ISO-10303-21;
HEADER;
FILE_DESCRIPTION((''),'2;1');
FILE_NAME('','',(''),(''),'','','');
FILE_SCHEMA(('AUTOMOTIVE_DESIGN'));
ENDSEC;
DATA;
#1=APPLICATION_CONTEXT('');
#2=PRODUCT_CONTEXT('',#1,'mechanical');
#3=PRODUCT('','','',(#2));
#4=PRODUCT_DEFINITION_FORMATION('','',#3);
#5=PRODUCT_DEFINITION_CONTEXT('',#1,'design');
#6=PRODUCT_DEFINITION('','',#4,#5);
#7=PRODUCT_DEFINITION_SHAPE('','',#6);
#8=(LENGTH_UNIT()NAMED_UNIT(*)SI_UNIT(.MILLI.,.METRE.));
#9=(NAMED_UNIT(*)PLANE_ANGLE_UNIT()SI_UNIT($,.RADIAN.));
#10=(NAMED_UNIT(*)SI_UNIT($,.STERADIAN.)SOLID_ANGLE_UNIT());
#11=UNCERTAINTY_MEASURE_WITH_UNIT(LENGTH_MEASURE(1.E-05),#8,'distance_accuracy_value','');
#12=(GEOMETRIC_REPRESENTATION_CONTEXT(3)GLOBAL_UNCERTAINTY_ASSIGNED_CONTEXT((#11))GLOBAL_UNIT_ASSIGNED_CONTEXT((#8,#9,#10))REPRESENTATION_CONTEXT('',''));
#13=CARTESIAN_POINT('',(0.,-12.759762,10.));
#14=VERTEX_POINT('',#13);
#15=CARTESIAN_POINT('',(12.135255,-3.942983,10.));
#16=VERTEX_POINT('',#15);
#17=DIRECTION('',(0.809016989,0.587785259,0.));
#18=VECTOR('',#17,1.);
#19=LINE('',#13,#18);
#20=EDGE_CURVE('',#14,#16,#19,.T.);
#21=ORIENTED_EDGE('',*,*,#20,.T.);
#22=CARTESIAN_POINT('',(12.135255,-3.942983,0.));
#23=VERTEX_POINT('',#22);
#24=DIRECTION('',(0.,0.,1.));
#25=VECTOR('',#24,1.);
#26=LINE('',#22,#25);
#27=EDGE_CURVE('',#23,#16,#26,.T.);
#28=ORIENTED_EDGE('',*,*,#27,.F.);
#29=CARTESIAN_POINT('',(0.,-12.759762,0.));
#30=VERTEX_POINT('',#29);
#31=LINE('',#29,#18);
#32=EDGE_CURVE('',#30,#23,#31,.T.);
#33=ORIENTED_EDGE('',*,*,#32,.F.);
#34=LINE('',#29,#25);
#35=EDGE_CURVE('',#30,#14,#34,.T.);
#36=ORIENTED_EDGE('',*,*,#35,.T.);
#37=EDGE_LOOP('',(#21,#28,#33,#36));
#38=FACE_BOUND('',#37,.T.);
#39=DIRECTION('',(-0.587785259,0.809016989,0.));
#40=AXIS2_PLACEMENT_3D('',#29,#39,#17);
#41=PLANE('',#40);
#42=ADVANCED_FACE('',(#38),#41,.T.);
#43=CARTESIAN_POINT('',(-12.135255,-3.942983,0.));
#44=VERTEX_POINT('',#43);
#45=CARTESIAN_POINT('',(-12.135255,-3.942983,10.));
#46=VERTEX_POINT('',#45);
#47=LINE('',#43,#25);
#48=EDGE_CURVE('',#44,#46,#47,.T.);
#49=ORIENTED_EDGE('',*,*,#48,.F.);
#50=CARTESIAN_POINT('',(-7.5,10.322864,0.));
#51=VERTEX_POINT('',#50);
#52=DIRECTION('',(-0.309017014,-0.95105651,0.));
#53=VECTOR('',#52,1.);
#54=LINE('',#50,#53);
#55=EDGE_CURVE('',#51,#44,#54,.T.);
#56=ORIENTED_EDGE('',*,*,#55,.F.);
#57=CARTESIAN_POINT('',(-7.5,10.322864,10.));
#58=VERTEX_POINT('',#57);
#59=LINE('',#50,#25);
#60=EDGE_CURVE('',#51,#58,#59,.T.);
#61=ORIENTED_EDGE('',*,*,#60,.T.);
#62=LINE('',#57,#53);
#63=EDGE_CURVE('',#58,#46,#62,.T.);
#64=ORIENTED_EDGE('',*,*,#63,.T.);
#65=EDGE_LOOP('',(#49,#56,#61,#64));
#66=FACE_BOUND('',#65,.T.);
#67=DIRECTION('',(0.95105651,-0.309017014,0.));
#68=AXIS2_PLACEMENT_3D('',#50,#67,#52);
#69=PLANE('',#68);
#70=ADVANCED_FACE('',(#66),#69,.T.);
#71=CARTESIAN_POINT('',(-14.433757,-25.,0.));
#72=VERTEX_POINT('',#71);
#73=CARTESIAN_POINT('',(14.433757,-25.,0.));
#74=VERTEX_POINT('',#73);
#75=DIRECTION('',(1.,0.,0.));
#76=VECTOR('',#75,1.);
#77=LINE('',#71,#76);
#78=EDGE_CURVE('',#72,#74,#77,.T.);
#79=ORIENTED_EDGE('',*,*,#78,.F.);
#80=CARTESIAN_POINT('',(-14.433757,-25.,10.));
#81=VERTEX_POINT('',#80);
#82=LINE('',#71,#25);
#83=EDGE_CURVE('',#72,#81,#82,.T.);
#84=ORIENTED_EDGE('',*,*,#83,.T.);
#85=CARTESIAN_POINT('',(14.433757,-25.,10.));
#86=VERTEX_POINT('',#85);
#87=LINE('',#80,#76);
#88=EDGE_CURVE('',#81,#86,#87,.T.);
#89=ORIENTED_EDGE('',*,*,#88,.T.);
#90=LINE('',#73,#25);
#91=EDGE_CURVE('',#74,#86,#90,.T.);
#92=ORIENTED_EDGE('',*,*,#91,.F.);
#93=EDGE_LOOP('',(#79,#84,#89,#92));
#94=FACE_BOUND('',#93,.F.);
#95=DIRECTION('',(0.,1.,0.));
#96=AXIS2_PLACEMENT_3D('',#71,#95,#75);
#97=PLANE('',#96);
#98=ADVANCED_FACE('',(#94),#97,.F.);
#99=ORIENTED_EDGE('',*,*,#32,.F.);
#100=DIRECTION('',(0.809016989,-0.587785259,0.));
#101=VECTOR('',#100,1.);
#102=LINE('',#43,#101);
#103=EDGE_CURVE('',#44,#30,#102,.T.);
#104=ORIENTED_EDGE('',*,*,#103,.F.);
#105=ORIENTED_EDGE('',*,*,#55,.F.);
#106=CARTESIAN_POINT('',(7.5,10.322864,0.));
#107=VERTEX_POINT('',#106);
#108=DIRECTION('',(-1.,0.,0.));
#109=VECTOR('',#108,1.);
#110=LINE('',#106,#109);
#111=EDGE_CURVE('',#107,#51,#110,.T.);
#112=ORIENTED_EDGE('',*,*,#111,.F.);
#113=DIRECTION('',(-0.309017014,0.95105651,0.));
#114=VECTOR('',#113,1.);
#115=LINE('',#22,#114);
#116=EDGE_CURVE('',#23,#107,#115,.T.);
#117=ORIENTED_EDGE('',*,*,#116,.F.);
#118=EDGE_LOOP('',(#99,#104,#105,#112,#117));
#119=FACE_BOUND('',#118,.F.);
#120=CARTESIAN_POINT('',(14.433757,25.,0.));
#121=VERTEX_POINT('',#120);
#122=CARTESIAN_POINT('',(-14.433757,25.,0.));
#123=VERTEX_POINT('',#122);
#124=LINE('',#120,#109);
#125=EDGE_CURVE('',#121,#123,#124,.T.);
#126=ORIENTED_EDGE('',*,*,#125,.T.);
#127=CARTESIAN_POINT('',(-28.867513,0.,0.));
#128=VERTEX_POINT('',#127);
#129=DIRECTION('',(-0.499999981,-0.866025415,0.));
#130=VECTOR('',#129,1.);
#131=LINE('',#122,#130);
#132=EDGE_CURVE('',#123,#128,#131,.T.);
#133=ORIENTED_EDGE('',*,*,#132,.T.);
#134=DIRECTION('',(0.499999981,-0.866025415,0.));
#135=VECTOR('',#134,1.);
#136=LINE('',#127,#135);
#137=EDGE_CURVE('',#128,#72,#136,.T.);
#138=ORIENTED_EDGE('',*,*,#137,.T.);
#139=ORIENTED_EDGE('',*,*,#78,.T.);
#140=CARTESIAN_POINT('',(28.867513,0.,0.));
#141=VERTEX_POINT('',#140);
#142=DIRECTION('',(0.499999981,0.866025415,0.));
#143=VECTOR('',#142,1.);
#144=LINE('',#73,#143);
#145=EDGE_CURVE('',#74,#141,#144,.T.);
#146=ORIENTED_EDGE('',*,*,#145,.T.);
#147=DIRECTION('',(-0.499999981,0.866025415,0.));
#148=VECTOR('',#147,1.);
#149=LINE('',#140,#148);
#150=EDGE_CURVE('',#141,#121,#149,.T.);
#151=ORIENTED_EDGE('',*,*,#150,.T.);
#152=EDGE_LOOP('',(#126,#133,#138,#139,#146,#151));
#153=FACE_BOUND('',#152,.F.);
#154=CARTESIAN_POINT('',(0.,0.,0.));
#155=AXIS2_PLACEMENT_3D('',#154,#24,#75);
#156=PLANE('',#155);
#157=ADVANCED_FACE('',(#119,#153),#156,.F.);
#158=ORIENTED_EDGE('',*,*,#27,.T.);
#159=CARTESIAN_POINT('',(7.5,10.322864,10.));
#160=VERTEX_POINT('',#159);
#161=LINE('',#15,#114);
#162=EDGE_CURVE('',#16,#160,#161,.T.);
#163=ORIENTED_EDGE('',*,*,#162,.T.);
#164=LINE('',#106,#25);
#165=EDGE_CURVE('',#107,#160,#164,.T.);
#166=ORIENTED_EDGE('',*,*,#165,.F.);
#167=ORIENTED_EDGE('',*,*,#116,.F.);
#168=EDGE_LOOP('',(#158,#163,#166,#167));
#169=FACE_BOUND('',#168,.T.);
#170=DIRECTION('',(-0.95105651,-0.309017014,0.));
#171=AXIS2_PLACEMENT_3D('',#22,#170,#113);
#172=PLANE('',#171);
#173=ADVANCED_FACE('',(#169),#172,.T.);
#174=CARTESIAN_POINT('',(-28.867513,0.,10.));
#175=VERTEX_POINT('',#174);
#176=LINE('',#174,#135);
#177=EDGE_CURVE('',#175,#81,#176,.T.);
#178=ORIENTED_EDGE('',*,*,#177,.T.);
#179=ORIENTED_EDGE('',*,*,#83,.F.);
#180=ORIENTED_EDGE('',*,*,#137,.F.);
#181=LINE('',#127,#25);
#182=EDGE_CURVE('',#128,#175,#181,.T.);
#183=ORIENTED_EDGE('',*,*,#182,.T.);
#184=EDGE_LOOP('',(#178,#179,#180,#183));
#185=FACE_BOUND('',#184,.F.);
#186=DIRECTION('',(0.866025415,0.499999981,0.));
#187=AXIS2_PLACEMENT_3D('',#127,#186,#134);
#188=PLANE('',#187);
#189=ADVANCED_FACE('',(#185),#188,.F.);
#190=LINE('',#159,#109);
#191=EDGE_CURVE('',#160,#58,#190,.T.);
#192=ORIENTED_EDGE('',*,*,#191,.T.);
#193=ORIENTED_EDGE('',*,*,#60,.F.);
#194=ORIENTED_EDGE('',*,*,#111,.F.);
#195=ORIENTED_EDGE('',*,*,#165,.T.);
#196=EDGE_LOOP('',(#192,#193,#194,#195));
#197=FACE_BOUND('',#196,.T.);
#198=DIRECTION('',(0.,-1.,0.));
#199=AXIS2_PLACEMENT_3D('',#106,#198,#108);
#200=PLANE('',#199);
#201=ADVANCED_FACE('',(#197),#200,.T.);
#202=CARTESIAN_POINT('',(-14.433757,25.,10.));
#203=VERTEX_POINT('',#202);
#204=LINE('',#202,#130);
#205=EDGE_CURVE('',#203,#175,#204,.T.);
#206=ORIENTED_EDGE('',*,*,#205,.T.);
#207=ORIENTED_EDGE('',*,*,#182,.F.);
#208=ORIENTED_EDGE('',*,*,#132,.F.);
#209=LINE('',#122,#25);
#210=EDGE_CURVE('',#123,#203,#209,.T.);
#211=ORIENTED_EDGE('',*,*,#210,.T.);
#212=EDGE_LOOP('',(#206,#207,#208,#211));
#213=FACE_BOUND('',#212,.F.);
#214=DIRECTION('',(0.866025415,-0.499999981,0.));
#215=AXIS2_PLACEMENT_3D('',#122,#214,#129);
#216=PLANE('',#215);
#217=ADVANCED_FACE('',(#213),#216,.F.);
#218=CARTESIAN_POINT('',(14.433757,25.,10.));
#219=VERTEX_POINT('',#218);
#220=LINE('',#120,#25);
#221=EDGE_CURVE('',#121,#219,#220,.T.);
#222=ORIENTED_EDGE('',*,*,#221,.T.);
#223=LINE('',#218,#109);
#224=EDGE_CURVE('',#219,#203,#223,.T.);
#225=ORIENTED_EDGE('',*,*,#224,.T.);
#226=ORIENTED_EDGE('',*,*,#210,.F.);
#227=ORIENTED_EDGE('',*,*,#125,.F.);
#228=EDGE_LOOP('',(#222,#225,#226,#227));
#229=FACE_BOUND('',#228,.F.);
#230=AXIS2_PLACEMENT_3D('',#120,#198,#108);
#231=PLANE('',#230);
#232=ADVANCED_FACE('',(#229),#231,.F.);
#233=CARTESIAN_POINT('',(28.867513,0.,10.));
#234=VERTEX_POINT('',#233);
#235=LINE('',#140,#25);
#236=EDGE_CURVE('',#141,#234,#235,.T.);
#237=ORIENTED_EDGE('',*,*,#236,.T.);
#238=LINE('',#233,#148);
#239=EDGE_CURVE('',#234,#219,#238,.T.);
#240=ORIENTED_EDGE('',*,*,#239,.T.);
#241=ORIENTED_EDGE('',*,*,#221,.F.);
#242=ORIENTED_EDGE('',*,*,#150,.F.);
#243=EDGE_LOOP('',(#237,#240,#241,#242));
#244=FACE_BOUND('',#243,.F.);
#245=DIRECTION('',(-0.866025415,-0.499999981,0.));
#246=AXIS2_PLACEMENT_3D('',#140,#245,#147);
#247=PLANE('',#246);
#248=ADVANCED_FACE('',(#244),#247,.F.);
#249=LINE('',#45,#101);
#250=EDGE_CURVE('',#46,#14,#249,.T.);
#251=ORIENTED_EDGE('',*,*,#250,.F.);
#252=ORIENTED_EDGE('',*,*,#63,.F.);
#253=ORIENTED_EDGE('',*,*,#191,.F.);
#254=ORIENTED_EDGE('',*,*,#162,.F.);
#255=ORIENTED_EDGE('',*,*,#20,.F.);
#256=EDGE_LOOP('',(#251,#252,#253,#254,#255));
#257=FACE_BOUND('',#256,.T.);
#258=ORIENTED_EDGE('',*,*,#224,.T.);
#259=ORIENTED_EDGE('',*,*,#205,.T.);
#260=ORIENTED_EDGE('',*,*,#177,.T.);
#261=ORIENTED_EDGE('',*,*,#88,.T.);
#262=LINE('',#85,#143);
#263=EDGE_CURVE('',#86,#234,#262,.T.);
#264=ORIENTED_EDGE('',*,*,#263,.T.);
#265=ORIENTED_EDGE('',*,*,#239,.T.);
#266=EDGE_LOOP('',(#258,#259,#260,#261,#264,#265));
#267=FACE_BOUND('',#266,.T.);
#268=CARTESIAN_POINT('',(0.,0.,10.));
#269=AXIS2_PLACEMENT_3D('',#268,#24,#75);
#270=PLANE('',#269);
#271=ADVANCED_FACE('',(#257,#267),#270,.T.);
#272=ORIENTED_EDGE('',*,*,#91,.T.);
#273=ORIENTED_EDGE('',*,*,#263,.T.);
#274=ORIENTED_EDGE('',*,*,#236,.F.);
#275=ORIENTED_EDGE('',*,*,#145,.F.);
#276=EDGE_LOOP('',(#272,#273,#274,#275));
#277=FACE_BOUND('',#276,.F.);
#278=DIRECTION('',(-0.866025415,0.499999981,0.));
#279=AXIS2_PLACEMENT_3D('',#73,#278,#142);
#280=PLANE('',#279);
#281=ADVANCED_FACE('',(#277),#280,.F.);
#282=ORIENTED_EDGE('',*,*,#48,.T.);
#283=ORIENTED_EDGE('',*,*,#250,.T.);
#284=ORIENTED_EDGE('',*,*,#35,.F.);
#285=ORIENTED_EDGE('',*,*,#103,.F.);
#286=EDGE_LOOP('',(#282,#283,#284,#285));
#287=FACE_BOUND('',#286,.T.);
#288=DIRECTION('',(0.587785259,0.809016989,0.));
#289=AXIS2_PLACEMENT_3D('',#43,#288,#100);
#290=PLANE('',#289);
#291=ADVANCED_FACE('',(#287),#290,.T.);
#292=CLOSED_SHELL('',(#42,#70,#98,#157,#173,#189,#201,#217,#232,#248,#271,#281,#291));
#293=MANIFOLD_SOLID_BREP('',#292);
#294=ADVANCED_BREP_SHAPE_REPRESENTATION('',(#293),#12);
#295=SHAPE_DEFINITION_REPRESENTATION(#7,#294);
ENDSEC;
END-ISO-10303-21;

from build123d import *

# Parameters (mm, degrees)
EXTRUDE_DEPTH = 10


with BuildPart() as part:
    # Sketch → Extrude (new body)
    with BuildSketch(Plane.XY):
        Polygon((28.867513, 0), (14.433757, 25), (-14.433757, 25), (-28.867513, 0), (-14.433757, -25), (14.433757, -25), align=None)
        Polygon((7.5, 10.322864), (-7.5, 10.322864), (-12.135255, -3.942983), (0, -12.759762), (12.135255, -3.942983), align=None, mode=Mode.SUBTRACT)
    extrude(amount=EXTRUDE_DEPTH)


solid = part.part
